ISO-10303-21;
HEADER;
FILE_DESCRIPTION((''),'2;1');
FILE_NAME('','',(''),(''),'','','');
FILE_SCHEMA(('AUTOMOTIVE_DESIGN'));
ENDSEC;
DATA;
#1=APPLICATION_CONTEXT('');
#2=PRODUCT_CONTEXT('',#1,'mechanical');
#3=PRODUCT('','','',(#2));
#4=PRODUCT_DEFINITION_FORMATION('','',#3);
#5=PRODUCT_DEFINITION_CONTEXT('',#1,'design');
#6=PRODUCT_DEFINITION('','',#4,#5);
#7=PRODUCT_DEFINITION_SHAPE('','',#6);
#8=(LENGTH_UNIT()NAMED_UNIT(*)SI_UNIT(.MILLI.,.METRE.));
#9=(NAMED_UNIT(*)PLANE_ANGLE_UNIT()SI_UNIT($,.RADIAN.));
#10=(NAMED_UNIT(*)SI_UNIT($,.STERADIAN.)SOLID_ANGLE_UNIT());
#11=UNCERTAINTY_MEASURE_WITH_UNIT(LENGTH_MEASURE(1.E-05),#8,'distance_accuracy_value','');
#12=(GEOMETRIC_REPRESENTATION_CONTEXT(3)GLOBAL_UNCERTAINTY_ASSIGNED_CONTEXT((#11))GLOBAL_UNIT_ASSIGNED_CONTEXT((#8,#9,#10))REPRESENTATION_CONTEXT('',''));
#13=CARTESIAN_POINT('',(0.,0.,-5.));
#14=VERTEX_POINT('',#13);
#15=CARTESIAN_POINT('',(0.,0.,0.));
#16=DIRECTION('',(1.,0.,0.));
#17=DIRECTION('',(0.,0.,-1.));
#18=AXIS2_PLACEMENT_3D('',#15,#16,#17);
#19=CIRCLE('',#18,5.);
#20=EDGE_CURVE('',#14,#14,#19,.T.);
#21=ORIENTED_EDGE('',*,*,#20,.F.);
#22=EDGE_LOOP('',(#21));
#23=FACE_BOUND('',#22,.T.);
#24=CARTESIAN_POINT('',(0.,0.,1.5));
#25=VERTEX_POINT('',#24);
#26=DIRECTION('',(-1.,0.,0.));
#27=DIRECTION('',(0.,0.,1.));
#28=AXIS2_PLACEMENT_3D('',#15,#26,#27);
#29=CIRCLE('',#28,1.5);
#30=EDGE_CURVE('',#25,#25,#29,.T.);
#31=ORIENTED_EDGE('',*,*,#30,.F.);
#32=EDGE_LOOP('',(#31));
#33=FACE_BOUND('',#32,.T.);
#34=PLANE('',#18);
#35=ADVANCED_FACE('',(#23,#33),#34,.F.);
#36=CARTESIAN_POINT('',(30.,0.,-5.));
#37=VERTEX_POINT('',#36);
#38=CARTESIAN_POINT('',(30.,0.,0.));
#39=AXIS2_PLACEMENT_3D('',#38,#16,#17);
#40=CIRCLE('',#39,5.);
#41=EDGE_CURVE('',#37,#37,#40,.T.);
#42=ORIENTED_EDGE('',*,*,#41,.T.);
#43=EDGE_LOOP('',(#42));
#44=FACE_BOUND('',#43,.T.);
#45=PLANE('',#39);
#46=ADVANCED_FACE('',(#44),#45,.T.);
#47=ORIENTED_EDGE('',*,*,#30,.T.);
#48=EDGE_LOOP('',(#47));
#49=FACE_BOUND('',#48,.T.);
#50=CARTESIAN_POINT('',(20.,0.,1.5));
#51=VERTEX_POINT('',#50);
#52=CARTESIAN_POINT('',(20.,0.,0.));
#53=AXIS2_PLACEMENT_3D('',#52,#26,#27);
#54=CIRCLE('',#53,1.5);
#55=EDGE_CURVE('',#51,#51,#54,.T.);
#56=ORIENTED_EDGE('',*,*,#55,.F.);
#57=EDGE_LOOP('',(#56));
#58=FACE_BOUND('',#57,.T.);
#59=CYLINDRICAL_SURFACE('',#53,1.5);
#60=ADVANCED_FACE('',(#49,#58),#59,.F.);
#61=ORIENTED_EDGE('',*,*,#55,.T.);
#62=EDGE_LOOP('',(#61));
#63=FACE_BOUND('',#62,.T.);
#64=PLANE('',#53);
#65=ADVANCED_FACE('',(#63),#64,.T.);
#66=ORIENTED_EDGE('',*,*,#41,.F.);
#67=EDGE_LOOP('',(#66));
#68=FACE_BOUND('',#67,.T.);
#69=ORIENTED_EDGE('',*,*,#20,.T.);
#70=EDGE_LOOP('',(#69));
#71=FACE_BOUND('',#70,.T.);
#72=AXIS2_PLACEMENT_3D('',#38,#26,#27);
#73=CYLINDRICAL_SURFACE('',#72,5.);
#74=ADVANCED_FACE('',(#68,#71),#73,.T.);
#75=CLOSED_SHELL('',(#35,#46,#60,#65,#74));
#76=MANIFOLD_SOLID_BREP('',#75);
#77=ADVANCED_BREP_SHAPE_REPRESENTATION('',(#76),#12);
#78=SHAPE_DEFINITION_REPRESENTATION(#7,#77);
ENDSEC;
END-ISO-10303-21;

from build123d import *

# Parameters (mm, degrees)
SKETCH1_R           = 5
BOSS_EXTRUDE1_DEPTH = 30
SKETCH2_R           = 1.5
CUT_EXTRUDE1_DEPTH  = 20


with BuildPart() as part:
    # Sketch1 → Boss-Extrude1 (new body)
    with BuildSketch(Plane(origin=(0, 0, 0), x_dir=(0, 0, -1), z_dir=(1, 0, 0))):
        Circle(SKETCH1_R)
    extrude(amount=BOSS_EXTRUDE1_DEPTH)

    # Sketch2 → Cut-Extrude1 (cut)
    with BuildSketch(Plane.ZY):
        Circle(SKETCH2_R)
    extrude(amount=-CUT_EXTRUDE1_DEPTH, mode=Mode.SUBTRACT)


solid = part.part
